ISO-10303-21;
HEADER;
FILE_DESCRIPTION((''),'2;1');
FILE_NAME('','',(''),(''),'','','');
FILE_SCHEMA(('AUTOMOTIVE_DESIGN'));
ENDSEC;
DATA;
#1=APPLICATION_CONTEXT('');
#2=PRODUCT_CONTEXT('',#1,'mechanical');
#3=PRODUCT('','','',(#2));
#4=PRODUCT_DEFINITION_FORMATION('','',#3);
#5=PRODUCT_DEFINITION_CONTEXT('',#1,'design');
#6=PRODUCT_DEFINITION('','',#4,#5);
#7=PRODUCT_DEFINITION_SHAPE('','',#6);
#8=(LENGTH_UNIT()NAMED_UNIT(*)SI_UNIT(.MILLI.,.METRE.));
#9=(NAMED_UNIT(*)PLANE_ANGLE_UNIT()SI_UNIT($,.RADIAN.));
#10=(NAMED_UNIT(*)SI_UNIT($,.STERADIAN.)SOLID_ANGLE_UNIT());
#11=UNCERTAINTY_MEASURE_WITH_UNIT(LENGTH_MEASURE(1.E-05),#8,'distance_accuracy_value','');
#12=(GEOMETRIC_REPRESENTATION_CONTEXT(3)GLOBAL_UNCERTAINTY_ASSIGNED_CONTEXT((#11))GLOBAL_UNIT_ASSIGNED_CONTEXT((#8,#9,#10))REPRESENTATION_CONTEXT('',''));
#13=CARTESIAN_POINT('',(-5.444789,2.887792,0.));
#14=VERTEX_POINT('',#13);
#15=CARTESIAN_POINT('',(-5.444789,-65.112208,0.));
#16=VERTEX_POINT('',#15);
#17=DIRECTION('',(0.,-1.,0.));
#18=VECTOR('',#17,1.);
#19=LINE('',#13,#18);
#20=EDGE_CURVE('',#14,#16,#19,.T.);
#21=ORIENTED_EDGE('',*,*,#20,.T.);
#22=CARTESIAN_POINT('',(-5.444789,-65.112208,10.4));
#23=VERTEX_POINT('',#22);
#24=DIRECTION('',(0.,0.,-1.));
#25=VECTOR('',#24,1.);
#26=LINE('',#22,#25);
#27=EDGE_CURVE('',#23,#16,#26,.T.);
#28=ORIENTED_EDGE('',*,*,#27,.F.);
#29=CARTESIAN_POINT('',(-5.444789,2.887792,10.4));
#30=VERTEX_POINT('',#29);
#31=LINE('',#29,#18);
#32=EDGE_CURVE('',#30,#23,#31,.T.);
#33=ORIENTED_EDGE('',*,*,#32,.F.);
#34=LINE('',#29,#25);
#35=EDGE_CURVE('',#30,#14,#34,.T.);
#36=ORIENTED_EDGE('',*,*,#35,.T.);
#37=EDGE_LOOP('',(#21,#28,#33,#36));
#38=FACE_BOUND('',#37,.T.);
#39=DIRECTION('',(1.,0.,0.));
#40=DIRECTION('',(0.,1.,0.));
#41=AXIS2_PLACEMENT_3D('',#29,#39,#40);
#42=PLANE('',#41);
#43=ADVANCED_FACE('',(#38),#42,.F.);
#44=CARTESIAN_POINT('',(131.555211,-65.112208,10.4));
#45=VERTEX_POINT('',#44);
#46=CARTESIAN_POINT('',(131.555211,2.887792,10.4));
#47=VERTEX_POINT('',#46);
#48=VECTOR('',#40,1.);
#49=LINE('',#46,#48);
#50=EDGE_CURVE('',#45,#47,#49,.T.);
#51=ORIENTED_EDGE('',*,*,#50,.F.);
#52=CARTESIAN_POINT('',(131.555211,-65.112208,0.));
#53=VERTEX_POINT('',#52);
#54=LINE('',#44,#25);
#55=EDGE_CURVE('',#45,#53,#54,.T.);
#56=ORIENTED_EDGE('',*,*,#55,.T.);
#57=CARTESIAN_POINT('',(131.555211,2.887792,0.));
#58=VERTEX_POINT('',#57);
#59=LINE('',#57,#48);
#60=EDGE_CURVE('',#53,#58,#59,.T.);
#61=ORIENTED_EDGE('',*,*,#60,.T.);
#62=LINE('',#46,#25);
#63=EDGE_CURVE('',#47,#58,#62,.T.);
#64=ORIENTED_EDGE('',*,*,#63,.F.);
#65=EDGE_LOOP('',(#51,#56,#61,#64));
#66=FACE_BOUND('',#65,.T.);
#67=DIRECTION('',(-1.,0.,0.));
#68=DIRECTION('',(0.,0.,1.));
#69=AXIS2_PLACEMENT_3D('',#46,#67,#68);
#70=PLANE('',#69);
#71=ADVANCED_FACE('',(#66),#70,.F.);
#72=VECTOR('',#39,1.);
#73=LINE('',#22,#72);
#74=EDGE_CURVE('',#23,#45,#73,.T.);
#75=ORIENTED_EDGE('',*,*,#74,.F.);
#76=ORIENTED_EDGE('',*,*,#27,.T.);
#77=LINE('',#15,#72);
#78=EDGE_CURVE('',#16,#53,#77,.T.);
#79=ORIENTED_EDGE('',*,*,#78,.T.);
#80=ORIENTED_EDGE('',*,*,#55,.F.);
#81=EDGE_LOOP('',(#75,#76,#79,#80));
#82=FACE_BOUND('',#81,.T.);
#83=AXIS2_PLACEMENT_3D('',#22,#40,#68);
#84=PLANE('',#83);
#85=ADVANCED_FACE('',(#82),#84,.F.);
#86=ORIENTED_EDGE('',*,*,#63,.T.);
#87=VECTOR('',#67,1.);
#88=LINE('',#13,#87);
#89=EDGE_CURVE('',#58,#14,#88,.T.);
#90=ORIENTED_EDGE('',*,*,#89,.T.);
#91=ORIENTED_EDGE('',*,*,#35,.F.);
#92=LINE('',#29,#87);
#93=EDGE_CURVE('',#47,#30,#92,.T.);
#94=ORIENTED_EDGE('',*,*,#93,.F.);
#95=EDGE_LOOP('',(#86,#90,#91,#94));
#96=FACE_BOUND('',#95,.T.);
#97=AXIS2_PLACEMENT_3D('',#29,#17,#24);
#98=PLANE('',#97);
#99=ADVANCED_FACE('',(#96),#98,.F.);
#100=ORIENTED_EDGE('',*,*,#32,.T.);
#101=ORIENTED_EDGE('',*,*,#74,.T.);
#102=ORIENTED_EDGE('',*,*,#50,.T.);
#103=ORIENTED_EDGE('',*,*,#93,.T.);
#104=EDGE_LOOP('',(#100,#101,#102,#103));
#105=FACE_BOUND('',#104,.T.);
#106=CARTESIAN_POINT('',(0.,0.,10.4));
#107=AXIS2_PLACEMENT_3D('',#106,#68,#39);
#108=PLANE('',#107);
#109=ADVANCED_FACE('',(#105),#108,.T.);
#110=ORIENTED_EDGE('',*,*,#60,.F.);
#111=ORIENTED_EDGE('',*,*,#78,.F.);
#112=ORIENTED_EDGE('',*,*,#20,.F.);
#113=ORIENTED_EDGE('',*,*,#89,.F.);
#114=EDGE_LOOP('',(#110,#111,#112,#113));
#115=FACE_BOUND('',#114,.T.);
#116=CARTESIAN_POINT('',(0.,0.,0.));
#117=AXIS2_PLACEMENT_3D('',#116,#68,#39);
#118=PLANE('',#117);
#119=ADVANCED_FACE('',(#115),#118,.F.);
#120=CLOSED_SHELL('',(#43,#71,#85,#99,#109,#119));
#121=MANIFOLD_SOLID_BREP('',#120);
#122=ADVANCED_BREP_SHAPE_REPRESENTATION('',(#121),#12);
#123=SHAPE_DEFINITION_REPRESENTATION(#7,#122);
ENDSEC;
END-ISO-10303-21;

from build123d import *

# Parameters (mm, degrees)
SKETCH_1_W      = 137
SKETCH_1_H      = 68
EXTRUDE_1_DEPTH = 10.4


with BuildPart() as part:
    # 草圖1 → 填料-伸長1 (new body)
    with BuildSketch(Plane.XY):
        with Locations((63.055211199, -31.112207792)):
            Rectangle(SKETCH_1_W, SKETCH_1_H)
    extrude(amount=EXTRUDE_1_DEPTH)


solid = part.part
